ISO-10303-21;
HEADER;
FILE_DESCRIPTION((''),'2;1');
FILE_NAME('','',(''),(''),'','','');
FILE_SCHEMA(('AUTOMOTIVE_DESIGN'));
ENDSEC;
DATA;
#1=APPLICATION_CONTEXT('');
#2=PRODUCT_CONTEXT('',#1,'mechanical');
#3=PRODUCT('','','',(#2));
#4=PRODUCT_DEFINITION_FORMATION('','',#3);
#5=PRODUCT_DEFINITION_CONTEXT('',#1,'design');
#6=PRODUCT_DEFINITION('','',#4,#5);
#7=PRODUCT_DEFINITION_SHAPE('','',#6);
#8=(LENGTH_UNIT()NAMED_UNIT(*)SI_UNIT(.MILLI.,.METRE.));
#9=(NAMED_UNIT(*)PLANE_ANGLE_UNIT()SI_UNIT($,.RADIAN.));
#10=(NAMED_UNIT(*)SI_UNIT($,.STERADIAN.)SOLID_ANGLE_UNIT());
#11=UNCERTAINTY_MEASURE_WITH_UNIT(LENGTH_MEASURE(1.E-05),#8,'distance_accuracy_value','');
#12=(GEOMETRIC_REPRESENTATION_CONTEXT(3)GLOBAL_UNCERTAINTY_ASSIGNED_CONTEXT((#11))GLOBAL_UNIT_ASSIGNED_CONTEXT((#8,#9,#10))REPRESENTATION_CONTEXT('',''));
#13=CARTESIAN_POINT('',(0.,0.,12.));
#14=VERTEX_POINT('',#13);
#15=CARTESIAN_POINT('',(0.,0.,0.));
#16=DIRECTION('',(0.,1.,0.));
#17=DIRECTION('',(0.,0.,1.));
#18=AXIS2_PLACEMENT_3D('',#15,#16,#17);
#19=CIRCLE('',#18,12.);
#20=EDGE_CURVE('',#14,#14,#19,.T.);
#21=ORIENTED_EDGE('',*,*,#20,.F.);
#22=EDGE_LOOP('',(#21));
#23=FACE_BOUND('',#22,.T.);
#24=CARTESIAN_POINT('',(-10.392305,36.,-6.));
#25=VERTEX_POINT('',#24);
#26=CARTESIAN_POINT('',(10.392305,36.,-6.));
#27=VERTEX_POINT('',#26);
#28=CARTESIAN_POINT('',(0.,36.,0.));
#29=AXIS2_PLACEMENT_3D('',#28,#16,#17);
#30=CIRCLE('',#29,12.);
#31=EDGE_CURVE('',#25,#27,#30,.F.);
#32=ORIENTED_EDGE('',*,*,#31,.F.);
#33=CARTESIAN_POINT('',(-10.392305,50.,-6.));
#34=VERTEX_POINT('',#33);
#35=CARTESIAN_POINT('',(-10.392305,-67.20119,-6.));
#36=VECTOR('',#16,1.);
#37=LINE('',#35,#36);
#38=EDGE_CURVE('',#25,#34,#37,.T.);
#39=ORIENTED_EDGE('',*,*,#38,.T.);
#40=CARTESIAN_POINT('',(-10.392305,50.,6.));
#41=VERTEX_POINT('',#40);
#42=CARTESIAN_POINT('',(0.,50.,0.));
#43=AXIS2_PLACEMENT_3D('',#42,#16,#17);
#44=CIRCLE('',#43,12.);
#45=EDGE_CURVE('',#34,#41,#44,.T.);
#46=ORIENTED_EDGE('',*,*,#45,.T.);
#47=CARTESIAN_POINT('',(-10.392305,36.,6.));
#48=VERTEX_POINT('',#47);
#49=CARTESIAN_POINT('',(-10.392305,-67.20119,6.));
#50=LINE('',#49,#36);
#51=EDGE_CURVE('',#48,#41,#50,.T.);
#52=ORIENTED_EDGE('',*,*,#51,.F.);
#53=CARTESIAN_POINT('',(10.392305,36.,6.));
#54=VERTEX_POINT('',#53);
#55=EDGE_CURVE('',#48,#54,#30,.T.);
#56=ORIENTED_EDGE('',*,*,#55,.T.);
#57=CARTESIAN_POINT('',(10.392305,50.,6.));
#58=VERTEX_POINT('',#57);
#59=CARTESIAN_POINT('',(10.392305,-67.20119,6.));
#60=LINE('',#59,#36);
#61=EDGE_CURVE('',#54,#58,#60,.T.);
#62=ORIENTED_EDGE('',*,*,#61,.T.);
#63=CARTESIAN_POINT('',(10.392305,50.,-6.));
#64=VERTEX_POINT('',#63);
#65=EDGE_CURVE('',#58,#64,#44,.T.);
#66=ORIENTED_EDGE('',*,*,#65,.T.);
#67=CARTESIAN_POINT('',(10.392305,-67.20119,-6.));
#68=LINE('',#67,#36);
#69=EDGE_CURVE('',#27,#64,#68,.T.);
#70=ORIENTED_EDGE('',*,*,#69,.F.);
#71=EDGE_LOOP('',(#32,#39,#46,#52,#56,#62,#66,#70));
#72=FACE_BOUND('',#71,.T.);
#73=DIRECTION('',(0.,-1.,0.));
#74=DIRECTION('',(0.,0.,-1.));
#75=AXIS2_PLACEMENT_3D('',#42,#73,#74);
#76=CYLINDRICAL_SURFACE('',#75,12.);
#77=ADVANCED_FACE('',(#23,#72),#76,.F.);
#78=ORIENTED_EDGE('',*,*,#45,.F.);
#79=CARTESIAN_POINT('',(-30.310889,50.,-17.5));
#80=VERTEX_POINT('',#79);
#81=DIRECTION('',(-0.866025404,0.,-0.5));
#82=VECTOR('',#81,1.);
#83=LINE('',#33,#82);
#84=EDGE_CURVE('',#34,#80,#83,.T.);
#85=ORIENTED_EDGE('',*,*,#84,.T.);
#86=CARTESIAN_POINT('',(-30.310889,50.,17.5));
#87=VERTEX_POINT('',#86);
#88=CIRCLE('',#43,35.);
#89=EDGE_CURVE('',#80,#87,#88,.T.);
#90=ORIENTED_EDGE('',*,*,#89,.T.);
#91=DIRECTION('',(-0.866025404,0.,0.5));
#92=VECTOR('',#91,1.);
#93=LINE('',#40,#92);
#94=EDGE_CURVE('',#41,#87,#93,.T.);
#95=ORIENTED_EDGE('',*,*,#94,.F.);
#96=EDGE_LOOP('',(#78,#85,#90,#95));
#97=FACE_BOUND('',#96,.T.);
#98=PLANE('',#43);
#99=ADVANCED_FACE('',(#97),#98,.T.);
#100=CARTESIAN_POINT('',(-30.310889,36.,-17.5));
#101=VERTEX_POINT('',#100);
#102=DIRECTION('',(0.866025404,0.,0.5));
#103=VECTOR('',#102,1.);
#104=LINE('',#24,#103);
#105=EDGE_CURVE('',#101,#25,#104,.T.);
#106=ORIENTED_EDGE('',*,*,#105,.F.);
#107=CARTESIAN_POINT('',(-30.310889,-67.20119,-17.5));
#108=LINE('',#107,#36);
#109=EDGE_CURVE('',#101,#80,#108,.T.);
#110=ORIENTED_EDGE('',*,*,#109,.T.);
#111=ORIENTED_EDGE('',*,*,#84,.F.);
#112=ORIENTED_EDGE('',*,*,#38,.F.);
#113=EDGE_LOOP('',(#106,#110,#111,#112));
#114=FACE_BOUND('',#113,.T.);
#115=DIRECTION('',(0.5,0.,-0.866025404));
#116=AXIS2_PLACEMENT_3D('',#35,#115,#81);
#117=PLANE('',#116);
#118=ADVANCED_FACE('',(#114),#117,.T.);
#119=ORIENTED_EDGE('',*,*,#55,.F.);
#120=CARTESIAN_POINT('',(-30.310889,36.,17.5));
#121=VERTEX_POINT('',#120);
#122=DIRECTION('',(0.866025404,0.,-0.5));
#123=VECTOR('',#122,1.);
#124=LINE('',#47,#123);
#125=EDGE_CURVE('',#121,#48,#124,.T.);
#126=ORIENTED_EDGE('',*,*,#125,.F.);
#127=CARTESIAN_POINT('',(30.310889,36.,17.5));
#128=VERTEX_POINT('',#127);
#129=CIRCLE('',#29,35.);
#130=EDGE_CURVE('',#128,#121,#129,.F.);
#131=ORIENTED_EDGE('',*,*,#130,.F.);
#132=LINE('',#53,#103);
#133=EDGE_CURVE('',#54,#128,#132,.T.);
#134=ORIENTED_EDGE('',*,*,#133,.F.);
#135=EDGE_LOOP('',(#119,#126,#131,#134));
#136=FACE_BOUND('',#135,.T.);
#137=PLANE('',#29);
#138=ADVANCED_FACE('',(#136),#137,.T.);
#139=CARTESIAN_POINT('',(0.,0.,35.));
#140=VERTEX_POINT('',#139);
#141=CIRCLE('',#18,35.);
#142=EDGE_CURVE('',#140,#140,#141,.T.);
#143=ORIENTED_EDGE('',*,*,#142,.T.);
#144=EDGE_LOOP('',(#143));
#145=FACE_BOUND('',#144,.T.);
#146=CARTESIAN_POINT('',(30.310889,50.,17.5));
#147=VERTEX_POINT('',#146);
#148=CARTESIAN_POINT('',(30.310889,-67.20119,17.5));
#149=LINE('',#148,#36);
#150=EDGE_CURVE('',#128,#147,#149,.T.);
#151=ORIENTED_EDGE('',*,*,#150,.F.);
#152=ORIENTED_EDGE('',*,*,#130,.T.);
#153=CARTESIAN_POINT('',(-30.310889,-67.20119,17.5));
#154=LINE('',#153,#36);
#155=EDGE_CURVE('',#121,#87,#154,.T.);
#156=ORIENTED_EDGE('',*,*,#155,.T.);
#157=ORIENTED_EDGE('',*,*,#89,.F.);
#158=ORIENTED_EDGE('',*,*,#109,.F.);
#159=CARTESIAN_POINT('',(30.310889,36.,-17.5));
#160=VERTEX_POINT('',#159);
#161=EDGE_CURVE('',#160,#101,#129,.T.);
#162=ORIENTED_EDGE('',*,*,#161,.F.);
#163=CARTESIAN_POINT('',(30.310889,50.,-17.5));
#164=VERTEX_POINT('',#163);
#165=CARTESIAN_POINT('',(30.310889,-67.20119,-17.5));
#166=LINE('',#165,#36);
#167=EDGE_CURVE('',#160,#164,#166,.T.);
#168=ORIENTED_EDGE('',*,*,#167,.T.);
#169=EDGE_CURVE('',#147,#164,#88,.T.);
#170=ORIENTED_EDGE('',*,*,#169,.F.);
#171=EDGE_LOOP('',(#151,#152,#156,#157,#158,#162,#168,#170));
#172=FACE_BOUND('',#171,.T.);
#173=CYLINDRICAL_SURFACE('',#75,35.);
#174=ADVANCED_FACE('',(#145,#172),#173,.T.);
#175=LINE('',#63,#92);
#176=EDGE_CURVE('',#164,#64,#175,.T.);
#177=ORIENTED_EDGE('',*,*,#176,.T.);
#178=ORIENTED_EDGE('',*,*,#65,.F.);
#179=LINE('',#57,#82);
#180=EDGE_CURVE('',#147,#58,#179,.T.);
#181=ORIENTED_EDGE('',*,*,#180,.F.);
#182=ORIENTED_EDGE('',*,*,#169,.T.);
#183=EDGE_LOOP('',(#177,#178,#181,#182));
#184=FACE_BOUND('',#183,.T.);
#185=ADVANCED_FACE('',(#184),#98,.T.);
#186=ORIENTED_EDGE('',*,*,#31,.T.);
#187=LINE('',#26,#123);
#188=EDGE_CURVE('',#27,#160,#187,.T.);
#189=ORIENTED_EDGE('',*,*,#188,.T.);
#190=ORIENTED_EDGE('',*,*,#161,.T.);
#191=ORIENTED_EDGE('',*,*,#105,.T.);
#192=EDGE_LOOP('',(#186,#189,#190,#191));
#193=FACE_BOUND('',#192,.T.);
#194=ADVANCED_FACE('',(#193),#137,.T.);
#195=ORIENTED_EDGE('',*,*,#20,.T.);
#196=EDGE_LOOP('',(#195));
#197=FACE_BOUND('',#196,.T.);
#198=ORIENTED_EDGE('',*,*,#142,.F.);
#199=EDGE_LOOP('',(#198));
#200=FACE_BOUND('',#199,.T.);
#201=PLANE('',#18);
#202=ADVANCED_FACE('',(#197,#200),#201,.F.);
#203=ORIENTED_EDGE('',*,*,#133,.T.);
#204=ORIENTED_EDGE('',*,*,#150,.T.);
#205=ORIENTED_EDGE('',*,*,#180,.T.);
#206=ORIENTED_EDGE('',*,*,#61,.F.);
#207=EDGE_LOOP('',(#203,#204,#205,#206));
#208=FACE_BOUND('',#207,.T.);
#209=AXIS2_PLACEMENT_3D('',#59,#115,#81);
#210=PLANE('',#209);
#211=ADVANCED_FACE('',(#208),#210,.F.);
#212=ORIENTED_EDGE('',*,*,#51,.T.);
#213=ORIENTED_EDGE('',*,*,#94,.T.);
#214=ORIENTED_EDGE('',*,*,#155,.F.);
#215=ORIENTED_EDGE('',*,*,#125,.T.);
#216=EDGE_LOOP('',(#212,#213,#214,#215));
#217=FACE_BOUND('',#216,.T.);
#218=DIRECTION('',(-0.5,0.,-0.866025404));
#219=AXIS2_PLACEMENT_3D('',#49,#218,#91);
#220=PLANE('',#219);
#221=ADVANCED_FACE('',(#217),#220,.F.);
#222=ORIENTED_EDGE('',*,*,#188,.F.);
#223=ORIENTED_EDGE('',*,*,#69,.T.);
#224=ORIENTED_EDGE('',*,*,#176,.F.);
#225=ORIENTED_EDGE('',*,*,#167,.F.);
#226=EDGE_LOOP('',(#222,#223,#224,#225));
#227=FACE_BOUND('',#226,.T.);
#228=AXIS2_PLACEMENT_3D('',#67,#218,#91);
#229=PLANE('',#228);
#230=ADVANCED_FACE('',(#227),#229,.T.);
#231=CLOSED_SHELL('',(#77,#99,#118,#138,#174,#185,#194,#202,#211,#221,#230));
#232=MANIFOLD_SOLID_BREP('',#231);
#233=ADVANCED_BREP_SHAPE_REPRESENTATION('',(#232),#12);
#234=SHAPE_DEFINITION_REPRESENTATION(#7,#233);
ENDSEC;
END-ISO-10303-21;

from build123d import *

# Parameters (mm, degrees)
SKETCH1_R           = 35
SKETCH1_R_2         = 12
BOSS_EXTRUDE1_DEPTH = 50
CUT_EXTRUDE1_START  = -14
CUT_EXTRUDE1_DEPTH  = 14


with BuildPart() as part:
    # Sketch1 → Boss-Extrude1 (new body)
    with BuildSketch(Plane(origin=(0, 0, 0), x_dir=(1, 0, 0), z_dir=(0, 1, 0))):
        with Locations(Location((0, 0, 0), (0, 0, 270))):
            Circle(SKETCH1_R)
        with Locations(Location((0, 0, 0), (0, 0, 270))):
            Circle(SKETCH1_R_2, mode=Mode.SUBTRACT)
    extrude(amount=BOSS_EXTRUDE1_DEPTH)

    # Sketch2 → Cut-Extrude1 (cut)
    with BuildSketch(Plane(origin=(0, 50, 0), x_dir=(1, 0, 0), z_dir=(0, 1, 0)).offset(CUT_EXTRUDE1_START)):
        with BuildLine():
            Line((10.392304845, -6), (30.310889132, -17.5))
            ThreePointArc((30.310889132, -17.5), (0, -35), (-30.310889132, -17.5))
            Line((-30.310889132, -17.5), (-10.392304845, -6))
            ThreePointArc((-10.392304845, -6), (0, -12), (10.392304845, -6))
        make_face()
    cut_extrude1 = extrude(amount=CUT_EXTRUDE1_DEPTH, mode=Mode.SUBTRACT)

    # Mirror1: Cut-Extrude1 across plane
    add(cut_extrude1.mirror(Plane.XY), mode=Mode.SUBTRACT)


solid = part.part
